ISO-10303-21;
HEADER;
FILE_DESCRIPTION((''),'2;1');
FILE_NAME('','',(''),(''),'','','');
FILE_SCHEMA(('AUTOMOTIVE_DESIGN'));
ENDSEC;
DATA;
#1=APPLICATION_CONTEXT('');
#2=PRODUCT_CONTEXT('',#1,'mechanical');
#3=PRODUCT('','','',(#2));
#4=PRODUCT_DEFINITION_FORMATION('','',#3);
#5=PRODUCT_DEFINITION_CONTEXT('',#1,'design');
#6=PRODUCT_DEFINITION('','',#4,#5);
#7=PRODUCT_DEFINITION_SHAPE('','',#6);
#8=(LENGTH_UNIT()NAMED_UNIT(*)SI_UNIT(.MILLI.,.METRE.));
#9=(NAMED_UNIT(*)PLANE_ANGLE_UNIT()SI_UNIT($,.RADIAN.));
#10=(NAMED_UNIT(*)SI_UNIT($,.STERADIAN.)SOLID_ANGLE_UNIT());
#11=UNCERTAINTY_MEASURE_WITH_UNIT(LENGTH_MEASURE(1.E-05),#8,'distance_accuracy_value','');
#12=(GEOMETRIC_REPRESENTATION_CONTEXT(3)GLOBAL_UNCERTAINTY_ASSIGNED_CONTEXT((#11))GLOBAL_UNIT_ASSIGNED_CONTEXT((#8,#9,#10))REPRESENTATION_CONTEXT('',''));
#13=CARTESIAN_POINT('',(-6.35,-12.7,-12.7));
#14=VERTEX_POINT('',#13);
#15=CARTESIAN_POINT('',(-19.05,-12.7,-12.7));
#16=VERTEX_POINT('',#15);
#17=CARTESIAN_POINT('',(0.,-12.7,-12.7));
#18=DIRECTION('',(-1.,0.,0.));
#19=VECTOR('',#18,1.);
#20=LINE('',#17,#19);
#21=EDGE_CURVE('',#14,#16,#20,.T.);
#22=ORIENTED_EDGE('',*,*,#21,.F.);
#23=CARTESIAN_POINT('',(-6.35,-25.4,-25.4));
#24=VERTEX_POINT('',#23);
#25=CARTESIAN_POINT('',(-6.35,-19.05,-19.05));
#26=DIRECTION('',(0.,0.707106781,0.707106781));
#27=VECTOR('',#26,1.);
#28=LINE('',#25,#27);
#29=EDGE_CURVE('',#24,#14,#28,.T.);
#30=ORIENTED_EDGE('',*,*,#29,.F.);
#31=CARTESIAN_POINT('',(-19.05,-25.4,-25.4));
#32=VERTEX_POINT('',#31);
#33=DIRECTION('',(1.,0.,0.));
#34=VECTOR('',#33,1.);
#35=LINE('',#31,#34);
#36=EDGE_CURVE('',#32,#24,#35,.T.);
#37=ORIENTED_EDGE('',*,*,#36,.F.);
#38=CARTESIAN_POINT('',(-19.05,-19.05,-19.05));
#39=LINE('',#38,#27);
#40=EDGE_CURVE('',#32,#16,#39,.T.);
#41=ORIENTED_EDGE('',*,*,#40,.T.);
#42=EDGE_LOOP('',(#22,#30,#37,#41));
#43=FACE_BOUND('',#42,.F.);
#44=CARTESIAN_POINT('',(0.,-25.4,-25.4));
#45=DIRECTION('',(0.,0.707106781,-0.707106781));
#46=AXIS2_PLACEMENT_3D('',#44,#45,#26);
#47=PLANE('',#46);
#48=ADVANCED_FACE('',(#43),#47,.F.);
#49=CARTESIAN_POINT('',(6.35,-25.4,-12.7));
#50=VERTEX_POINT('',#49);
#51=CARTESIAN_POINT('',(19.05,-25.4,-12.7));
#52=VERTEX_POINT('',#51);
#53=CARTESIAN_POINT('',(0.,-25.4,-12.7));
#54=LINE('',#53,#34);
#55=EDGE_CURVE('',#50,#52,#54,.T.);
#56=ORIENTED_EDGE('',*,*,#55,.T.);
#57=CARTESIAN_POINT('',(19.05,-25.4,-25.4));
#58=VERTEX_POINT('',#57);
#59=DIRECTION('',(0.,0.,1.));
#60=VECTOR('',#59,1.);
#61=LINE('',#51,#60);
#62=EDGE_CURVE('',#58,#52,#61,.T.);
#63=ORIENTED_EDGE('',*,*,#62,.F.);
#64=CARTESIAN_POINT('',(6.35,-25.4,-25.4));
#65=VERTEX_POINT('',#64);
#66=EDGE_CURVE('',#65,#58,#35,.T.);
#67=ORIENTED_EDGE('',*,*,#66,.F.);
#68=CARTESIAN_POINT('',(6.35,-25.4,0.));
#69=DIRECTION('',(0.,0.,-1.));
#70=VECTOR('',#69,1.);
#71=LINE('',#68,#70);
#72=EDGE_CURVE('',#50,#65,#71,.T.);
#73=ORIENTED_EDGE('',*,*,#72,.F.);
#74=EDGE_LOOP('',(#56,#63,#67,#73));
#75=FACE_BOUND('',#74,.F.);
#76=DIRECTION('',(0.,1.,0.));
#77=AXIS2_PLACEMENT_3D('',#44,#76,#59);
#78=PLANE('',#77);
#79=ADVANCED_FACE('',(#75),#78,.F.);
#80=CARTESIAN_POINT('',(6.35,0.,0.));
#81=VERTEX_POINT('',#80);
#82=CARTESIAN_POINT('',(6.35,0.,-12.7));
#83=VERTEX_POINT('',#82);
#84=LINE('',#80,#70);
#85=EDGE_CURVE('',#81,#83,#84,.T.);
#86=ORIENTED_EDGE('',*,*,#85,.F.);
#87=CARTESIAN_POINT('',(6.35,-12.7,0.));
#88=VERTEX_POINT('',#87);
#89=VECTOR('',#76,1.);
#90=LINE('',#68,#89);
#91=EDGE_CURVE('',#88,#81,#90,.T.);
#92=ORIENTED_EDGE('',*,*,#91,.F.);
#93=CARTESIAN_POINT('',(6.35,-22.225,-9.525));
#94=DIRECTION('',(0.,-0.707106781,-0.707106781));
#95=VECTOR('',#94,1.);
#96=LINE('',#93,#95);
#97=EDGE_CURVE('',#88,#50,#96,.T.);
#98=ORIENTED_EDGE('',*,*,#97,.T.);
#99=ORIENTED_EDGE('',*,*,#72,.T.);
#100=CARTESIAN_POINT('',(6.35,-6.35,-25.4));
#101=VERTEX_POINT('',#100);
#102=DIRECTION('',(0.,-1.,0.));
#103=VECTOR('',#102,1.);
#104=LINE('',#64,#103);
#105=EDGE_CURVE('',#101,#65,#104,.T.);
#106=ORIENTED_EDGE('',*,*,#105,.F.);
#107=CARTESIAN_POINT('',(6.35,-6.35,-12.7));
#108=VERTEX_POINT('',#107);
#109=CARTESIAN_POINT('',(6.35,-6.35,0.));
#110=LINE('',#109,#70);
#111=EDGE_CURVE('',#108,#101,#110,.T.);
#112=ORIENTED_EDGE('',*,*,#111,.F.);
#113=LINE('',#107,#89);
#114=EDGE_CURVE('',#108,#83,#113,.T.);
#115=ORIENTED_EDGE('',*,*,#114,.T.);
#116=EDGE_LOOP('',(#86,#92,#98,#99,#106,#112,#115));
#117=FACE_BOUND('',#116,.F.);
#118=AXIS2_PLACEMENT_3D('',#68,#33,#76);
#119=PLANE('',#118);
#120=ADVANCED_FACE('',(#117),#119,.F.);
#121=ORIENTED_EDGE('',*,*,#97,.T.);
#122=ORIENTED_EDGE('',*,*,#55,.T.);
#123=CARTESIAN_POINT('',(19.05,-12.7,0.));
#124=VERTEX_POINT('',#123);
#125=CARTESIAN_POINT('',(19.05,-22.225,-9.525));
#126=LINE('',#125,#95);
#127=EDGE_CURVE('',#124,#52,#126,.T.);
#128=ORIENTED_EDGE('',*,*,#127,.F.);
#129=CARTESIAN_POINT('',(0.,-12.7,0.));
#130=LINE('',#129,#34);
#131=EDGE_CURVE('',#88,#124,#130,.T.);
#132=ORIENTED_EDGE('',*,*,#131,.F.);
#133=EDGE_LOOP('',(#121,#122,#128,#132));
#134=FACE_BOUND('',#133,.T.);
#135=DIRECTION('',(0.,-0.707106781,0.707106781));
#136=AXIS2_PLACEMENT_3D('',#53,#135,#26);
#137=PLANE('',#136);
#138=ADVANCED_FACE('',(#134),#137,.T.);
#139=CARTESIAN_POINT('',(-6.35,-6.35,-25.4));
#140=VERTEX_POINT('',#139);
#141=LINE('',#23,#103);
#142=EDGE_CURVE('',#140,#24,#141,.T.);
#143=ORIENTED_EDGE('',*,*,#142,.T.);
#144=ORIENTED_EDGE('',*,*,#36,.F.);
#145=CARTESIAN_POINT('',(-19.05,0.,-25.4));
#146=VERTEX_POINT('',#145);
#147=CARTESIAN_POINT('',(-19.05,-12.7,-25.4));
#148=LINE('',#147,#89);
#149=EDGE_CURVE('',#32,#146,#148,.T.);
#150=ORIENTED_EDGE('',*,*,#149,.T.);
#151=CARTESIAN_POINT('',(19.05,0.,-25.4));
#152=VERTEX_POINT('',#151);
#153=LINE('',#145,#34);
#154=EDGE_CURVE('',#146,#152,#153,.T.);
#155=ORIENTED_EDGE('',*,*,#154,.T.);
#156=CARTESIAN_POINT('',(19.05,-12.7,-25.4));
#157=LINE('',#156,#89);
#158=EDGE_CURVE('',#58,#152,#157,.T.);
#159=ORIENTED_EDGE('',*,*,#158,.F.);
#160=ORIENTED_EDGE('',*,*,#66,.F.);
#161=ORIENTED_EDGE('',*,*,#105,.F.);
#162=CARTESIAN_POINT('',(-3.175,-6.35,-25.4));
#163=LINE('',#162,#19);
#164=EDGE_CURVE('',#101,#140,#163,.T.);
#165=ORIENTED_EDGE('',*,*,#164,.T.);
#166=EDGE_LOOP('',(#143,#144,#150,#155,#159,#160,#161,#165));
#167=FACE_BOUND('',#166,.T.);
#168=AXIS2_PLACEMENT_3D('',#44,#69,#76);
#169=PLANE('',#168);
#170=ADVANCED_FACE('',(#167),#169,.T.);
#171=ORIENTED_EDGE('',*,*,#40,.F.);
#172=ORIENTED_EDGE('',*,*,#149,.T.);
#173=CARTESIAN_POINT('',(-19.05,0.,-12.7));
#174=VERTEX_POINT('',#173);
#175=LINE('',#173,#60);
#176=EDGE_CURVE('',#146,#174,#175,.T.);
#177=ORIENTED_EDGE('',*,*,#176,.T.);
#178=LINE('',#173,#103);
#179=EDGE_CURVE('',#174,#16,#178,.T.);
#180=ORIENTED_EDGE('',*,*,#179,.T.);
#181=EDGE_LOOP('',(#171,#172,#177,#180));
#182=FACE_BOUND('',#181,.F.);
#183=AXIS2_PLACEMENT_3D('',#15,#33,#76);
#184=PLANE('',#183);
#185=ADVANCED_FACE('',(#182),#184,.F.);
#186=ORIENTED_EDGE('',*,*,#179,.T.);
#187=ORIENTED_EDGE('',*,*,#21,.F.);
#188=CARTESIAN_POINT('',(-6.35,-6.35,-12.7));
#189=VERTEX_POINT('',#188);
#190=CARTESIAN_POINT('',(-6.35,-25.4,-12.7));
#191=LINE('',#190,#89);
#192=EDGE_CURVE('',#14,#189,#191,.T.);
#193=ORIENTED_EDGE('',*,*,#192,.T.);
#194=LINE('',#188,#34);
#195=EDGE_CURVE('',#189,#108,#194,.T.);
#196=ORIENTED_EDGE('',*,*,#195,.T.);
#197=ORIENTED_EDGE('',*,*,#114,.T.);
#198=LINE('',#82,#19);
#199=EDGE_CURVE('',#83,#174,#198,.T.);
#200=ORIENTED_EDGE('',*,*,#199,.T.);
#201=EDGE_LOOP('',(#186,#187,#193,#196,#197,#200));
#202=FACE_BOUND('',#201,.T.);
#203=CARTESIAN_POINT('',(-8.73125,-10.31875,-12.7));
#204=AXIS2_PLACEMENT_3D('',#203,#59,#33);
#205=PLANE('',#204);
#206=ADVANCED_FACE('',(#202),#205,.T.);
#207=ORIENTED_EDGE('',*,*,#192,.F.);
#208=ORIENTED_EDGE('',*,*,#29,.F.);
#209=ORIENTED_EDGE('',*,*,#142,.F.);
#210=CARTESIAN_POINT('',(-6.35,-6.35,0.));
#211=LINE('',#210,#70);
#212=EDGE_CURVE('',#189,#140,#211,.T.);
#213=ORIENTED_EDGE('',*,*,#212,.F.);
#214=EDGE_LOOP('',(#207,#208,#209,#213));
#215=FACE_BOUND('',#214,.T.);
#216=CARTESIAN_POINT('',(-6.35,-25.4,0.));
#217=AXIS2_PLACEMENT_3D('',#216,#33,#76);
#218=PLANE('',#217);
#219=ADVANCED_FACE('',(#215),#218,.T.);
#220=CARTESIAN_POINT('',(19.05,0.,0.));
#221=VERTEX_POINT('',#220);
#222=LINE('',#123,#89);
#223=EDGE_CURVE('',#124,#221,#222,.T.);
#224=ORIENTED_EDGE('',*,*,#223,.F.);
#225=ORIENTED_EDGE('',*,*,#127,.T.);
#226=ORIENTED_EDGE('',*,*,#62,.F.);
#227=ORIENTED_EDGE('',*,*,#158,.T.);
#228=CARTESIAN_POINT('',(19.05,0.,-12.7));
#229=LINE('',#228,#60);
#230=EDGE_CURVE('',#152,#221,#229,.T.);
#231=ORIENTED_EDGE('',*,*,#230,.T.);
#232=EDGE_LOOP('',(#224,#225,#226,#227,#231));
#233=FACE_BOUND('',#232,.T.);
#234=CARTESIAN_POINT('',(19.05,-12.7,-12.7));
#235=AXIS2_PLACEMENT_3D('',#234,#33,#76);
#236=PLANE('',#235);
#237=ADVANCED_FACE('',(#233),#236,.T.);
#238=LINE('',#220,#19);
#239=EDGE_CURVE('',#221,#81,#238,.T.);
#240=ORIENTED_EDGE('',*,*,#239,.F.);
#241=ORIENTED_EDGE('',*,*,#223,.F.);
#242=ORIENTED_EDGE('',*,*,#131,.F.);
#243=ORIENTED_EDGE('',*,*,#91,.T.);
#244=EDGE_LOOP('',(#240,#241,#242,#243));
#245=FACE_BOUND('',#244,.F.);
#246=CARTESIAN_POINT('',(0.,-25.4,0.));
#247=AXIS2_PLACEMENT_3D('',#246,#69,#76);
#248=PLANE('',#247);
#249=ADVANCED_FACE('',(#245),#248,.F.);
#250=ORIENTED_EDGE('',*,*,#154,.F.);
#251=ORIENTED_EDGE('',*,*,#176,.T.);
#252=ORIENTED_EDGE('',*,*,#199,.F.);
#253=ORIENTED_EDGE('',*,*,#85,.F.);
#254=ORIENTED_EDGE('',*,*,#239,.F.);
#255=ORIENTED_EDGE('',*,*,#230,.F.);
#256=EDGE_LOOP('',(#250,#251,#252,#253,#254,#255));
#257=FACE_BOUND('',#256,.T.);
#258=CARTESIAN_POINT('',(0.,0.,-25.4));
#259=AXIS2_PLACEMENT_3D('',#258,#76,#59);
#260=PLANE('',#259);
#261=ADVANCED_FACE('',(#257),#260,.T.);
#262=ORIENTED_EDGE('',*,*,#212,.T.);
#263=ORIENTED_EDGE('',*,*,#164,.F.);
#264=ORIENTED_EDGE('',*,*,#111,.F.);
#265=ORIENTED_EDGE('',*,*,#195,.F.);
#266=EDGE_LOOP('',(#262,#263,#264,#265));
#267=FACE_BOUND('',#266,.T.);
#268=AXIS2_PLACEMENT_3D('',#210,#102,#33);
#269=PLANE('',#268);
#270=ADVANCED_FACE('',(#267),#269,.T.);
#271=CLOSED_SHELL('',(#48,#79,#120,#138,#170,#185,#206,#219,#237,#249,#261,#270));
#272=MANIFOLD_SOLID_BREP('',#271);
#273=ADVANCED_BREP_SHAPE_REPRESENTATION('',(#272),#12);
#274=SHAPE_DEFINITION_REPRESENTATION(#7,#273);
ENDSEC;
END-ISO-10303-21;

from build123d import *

# Parameters (mm, degrees)
F0_W     = 25.4
F0_H     = 25.4
F1_DEPTH = 19.05
F2_W     = 12.7
F2_H     = 19.05
F3_DEPTH = 25.401
F5_DEPTH = 12.7
F7_DEPTH = 19.051
F9_DEPTH = 19.051


with BuildPart() as f1:
    # F0 (on Right) → F1 (new body, symmetric)
    with BuildSketch(Plane.YZ):
        with Locations((-12.7, -12.7)):
            Rectangle(F0_W, F0_H)
    extrude(amount=F1_DEPTH, both=True)

    # F2 (on Top) → F3 (cut, through all)
    with BuildSketch(Plane.XY):
        with Locations((0, -15.875)):
            Rectangle(F2_W, F2_H)
    extrude(amount=-F3_DEPTH, mode=Mode.SUBTRACT)

    # F4 (on Top) → F5 (cut)
    with BuildSketch(Plane.XY):
        Polygon((-6.35, -6.35), (6.35, -6.35), (6.35, 0), (-19.05, 0), (-19.05, -25.4), (-6.35, -25.4), align=None)
    extrude(amount=-F5_DEPTH, mode=Mode.SUBTRACT)

    # F6 (on Right) → F7 (cut, through all)
    with BuildSketch(Plane.YZ):
        Polygon((-25.4, -25.4), (-12.7, -12.7), (-25.4, -12.7), align=None)
    extrude(amount=-F7_DEPTH, mode=Mode.SUBTRACT)

    # F8 (on Right) → F9 (cut, through all)
    with BuildSketch(Plane.YZ):
        Polygon((-25.4, 0), (-25.4, -12.7), (-12.7, 0), align=None)
    extrude(amount=F9_DEPTH, mode=Mode.SUBTRACT)


solid = f1.part
